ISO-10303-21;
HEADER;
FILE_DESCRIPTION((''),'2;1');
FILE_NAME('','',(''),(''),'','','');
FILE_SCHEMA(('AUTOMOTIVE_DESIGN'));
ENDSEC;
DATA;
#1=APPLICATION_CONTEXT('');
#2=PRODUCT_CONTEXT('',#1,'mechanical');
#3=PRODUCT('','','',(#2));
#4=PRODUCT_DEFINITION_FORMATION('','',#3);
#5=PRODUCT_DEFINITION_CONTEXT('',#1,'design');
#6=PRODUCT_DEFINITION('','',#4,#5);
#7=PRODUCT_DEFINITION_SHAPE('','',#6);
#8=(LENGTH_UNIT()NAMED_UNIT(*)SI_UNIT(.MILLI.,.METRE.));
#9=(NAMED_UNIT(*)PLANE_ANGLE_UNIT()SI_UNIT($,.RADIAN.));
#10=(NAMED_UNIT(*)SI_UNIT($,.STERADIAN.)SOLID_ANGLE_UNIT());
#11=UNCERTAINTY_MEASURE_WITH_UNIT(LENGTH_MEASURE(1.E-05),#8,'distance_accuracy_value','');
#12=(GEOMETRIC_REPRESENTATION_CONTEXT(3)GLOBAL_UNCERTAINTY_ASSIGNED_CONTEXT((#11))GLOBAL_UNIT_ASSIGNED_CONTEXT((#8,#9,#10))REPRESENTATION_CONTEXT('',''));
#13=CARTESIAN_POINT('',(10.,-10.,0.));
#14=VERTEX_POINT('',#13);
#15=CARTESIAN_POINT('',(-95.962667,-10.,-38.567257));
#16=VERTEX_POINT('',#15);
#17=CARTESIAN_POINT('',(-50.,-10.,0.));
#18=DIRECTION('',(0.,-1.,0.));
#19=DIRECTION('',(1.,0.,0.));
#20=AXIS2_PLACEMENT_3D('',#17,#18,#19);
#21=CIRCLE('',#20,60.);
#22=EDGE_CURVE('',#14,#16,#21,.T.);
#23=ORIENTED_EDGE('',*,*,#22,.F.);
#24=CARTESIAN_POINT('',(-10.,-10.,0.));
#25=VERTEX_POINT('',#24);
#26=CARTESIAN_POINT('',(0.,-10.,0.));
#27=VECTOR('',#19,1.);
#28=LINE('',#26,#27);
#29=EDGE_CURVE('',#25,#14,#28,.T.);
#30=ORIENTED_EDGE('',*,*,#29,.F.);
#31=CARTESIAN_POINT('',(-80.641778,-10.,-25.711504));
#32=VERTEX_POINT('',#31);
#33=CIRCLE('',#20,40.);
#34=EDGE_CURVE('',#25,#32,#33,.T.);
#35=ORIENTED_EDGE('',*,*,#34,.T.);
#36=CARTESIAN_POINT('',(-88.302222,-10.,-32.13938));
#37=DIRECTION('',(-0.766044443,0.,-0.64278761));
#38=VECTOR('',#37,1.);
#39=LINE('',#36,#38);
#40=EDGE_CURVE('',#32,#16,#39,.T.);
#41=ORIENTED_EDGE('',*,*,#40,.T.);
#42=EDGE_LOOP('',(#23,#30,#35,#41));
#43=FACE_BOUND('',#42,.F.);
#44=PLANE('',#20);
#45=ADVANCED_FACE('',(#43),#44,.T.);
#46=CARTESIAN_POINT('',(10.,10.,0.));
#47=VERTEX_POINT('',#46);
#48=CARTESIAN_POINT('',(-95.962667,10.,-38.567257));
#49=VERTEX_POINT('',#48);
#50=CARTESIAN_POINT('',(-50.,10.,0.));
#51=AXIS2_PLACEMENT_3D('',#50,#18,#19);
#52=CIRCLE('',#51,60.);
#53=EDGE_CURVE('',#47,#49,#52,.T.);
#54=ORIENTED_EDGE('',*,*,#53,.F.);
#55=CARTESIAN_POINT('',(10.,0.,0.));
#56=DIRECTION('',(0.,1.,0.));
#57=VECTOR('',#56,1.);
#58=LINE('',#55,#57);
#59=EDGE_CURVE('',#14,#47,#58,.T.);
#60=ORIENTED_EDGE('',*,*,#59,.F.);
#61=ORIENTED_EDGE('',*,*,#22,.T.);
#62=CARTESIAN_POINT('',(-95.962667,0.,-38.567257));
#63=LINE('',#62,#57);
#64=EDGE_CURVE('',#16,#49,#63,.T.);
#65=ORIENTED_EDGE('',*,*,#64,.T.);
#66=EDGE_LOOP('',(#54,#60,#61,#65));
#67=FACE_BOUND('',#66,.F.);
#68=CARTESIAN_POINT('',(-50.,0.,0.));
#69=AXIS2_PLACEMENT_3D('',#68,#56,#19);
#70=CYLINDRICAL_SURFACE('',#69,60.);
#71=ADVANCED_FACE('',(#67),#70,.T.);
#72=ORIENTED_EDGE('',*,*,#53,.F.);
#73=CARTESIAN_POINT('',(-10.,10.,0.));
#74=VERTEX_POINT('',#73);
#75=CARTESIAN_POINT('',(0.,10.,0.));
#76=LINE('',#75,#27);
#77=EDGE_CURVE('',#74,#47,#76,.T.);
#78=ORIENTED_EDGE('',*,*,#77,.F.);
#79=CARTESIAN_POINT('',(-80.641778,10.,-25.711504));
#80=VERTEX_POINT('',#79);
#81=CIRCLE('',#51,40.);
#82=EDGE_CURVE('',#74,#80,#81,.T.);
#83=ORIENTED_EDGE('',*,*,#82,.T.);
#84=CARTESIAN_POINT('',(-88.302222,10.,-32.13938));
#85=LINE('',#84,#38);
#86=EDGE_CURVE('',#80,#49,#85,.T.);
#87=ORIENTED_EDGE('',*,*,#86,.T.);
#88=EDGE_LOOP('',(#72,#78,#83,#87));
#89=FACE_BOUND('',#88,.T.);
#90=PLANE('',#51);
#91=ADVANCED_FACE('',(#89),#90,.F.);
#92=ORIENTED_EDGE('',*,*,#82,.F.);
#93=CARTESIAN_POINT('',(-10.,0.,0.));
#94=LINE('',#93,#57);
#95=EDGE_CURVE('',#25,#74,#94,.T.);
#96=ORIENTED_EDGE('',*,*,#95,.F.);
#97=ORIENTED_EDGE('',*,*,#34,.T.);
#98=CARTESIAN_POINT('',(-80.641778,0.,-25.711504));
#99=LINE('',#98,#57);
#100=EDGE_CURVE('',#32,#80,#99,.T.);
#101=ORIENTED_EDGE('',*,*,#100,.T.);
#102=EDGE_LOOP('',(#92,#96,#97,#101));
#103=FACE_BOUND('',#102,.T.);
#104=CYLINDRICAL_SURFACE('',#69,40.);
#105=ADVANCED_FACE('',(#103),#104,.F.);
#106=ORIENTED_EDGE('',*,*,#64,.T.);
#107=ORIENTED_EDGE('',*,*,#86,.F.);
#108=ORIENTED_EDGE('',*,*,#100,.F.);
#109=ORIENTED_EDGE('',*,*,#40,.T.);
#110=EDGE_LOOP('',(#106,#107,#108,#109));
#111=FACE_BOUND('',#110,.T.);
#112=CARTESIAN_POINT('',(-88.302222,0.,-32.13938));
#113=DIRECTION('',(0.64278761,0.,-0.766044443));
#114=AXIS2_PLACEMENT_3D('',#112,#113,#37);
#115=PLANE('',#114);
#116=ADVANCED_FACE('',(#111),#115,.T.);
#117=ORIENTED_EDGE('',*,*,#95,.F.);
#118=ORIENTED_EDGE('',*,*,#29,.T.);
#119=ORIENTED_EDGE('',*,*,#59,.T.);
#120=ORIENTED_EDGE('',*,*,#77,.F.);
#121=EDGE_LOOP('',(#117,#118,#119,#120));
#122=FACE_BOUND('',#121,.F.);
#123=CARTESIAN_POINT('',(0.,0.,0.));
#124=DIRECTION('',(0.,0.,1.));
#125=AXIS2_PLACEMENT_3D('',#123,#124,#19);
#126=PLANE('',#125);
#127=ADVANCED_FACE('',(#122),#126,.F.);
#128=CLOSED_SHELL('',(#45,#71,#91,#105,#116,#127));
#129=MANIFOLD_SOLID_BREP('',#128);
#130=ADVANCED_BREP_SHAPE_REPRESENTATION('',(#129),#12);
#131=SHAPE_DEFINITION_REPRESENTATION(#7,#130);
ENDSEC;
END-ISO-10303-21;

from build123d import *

# Parameters (mm, degrees)
F0_W     = 20
F0_H     = 20
F1_ANGLE = 220


with BuildPart() as f1:
    # F0 (on Top) → F1 (revolve)
    with BuildSketch(Plane.XY):
        Rectangle(F0_W, F0_H)
    revolve(axis=Axis((-50, -0.225747, 0), (0, -1, 0)), revolution_arc=F1_ANGLE)


solid = f1.part
